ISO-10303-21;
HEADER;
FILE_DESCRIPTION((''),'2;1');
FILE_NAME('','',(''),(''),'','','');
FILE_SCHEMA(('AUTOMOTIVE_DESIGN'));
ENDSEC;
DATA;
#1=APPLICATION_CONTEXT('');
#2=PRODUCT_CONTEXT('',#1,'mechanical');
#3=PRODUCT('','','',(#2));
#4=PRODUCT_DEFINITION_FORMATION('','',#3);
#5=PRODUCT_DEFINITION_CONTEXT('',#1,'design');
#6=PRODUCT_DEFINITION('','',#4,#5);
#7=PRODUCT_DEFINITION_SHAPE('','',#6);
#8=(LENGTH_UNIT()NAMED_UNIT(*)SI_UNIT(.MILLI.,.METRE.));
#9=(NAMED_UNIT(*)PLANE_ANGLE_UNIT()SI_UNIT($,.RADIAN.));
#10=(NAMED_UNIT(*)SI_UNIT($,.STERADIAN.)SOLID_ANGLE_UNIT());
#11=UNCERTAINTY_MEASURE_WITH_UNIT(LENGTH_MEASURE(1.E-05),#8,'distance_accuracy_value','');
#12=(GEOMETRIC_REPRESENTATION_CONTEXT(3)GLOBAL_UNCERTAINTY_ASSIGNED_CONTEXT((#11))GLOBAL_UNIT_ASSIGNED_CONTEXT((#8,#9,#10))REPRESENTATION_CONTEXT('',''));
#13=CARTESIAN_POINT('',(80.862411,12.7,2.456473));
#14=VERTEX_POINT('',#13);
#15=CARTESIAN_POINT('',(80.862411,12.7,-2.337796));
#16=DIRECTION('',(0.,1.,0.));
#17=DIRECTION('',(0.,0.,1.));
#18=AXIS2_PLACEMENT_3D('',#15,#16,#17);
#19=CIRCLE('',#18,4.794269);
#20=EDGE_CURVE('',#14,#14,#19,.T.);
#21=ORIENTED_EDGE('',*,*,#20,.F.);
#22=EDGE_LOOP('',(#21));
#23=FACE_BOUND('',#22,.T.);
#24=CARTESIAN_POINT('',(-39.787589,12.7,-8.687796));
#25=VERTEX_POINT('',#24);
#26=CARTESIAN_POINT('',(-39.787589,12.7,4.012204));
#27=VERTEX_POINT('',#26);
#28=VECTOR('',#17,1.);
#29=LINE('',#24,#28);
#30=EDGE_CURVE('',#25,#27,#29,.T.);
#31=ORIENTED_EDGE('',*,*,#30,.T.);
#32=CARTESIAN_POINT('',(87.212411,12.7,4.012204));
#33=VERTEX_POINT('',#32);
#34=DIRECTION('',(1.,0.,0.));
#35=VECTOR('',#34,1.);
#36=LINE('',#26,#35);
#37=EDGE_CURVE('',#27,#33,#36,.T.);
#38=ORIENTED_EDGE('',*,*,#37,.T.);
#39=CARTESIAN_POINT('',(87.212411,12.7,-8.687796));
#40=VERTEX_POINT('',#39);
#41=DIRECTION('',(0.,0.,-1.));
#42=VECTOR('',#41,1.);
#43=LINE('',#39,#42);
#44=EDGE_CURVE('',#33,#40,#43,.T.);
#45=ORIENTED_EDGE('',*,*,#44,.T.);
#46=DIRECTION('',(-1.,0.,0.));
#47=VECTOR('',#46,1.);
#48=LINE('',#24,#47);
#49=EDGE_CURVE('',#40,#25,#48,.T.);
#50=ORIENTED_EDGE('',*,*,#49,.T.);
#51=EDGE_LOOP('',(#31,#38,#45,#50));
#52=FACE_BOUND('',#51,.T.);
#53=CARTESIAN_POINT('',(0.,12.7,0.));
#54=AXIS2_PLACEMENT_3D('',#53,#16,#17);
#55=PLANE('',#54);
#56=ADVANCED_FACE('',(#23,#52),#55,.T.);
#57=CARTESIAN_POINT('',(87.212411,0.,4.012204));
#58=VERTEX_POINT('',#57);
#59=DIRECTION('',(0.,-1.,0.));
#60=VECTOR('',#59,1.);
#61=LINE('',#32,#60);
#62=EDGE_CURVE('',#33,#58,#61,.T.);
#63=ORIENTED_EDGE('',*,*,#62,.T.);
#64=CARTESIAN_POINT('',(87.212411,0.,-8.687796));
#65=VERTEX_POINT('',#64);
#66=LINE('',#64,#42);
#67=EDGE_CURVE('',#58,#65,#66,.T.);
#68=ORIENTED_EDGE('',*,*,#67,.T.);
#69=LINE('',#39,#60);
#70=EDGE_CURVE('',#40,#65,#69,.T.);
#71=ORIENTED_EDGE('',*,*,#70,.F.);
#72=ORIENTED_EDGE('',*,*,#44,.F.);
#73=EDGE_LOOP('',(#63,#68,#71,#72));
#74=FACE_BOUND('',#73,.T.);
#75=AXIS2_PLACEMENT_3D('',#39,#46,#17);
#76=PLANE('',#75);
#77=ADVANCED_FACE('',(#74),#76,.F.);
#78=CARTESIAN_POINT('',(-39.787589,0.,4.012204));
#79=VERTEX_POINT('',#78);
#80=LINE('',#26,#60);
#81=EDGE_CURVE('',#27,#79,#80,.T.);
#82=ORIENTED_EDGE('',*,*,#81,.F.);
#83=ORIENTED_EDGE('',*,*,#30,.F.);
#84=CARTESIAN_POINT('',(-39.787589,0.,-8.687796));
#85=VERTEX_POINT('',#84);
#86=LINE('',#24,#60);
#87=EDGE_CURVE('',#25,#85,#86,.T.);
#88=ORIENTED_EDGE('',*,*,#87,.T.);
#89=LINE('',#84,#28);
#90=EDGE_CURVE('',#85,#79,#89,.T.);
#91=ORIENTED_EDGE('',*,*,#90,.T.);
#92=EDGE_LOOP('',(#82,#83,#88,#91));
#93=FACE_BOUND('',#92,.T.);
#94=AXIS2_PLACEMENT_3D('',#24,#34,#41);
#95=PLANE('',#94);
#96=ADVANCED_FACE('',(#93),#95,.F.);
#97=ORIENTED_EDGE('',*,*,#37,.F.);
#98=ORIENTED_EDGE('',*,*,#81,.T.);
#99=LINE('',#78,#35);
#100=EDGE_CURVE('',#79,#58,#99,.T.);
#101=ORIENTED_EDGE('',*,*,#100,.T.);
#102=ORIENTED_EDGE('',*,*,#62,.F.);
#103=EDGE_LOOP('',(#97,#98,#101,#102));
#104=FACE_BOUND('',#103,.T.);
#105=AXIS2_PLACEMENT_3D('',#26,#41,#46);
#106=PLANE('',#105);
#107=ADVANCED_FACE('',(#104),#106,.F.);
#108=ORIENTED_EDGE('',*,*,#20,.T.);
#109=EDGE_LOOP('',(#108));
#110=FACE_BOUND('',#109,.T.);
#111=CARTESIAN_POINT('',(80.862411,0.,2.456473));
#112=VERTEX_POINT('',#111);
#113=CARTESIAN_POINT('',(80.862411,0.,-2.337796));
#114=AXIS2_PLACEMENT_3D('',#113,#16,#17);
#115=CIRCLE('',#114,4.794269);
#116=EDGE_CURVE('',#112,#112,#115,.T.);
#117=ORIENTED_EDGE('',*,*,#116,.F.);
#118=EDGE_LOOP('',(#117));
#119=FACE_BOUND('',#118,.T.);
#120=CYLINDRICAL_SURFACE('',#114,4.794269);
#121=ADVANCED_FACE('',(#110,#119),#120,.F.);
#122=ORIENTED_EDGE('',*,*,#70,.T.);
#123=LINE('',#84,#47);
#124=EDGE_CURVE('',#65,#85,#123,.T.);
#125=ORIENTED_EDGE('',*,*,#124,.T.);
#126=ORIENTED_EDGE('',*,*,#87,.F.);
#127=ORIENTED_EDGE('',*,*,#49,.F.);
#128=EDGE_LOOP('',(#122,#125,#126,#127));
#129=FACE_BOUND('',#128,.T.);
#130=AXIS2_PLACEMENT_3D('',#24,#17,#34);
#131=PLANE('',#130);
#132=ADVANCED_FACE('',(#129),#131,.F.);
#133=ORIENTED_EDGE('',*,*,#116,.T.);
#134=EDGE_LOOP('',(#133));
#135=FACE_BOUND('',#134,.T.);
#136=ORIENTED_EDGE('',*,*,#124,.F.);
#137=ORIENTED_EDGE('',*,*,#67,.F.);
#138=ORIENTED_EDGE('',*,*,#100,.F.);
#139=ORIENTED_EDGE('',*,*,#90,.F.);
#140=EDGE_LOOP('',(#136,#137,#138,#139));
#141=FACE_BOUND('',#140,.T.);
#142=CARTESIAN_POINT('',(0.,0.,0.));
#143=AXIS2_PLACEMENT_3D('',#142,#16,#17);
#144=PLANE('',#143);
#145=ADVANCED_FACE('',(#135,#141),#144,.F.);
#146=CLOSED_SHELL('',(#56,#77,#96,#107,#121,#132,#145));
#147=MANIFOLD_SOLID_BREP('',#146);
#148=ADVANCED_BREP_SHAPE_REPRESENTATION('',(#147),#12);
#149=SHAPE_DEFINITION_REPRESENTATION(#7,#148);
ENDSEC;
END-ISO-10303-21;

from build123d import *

# Parameters (mm, degrees)
SKETCH1_W           = 127
SKETCH1_H           = 12.7
BOSS_EXTRUDE4_DEPTH = 12.7
SKETCH6_R           = 4.794268816
CUT_EXTRUDE2_DEPTH  = 12.7


with BuildPart() as part:
    # Sketch1 → Boss-Extrude4 (new body)
    with BuildSketch(Plane(origin=(0, 0, 0), x_dir=(1, 0, 0), z_dir=(0, 1, 0))):
        with Locations((23.712411315, 2.337796264)):
            Rectangle(SKETCH1_W, SKETCH1_H)
    extrude(amount=BOSS_EXTRUDE4_DEPTH)

    # Sketch6 → Cut-Extrude2 (cut)
    with BuildSketch(Plane(origin=(0, 12.7, 0), x_dir=(1, 0, 0), z_dir=(0, 1, 0))):
        with Locations(Location((80.862411315, 2.337796264, 0), (0, 0, 270))):
            Circle(SKETCH6_R)
    extrude(amount=-CUT_EXTRUDE2_DEPTH, mode=Mode.SUBTRACT)


solid = part.part
